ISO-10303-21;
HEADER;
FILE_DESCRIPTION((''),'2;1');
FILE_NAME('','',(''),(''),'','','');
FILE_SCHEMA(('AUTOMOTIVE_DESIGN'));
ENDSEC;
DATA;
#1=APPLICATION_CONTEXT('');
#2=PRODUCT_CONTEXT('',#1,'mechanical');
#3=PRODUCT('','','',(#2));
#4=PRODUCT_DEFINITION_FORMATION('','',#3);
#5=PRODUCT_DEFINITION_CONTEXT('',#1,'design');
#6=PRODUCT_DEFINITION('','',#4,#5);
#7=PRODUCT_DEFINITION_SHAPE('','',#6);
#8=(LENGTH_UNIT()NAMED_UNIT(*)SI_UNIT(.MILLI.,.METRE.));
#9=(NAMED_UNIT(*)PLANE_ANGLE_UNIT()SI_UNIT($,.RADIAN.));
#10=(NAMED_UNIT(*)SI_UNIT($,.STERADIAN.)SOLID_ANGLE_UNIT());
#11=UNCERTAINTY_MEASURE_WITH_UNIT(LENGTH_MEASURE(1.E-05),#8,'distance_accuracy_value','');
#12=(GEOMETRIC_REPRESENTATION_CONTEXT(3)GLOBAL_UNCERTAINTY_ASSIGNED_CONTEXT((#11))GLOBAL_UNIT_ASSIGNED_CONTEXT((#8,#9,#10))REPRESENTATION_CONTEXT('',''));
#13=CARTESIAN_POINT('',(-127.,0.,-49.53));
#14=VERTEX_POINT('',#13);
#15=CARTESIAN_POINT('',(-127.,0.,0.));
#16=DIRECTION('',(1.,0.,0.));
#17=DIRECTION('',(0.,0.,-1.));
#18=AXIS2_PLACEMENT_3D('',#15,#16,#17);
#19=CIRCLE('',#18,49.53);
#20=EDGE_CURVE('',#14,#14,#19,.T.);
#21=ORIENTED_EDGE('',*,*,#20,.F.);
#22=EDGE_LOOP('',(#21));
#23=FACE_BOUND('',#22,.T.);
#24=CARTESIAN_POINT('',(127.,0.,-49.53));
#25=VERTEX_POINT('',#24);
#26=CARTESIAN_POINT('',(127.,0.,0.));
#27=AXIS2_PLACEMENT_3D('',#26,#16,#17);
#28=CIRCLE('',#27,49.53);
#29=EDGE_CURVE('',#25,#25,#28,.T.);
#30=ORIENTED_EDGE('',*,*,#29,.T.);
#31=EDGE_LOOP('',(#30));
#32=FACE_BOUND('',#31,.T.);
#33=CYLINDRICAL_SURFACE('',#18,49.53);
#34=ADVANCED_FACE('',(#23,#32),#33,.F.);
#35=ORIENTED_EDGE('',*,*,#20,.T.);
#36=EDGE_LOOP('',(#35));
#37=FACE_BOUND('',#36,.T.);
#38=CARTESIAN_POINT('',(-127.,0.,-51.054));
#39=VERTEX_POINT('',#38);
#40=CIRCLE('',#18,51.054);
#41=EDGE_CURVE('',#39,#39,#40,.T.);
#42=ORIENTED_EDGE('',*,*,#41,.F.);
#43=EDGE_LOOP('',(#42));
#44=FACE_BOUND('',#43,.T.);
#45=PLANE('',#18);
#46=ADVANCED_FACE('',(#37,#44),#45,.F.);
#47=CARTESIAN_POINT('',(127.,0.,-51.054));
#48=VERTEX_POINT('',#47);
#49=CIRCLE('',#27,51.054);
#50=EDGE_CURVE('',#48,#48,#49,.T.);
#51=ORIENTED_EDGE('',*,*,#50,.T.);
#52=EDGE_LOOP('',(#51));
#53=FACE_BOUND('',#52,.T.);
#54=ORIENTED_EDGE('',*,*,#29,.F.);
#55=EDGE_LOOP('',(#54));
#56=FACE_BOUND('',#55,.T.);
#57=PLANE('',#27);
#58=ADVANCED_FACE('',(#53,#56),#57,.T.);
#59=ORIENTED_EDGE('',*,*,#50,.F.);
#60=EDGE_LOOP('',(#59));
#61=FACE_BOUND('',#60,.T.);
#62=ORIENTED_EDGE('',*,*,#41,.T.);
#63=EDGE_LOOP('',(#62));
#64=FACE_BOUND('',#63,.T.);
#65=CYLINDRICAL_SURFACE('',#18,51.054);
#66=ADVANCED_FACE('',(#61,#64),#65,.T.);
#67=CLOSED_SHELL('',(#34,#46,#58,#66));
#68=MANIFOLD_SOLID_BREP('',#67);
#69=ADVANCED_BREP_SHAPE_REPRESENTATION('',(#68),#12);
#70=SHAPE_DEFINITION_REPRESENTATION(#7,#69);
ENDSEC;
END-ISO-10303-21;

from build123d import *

# Parameters (mm, degrees)
SKETCH1_R                = 51.054
SKETCH1_R_2              = 49.53
BOSS_EXTRUDE1_DEPTH      = 127
BOSS_EXTRUDE1_DEPTH_BACK = 127


with BuildPart() as part:
    # Sketch1 → Boss-Extrude1 (new body, two sides)
    with BuildSketch(Plane.YZ) as boss_extrude1_sk:
        Circle(SKETCH1_R)
        Circle(SKETCH1_R_2, mode=Mode.SUBTRACT)
    extrude(amount=BOSS_EXTRUDE1_DEPTH)
    extrude(boss_extrude1_sk.sketch, amount=-BOSS_EXTRUDE1_DEPTH_BACK)


solid = part.part
